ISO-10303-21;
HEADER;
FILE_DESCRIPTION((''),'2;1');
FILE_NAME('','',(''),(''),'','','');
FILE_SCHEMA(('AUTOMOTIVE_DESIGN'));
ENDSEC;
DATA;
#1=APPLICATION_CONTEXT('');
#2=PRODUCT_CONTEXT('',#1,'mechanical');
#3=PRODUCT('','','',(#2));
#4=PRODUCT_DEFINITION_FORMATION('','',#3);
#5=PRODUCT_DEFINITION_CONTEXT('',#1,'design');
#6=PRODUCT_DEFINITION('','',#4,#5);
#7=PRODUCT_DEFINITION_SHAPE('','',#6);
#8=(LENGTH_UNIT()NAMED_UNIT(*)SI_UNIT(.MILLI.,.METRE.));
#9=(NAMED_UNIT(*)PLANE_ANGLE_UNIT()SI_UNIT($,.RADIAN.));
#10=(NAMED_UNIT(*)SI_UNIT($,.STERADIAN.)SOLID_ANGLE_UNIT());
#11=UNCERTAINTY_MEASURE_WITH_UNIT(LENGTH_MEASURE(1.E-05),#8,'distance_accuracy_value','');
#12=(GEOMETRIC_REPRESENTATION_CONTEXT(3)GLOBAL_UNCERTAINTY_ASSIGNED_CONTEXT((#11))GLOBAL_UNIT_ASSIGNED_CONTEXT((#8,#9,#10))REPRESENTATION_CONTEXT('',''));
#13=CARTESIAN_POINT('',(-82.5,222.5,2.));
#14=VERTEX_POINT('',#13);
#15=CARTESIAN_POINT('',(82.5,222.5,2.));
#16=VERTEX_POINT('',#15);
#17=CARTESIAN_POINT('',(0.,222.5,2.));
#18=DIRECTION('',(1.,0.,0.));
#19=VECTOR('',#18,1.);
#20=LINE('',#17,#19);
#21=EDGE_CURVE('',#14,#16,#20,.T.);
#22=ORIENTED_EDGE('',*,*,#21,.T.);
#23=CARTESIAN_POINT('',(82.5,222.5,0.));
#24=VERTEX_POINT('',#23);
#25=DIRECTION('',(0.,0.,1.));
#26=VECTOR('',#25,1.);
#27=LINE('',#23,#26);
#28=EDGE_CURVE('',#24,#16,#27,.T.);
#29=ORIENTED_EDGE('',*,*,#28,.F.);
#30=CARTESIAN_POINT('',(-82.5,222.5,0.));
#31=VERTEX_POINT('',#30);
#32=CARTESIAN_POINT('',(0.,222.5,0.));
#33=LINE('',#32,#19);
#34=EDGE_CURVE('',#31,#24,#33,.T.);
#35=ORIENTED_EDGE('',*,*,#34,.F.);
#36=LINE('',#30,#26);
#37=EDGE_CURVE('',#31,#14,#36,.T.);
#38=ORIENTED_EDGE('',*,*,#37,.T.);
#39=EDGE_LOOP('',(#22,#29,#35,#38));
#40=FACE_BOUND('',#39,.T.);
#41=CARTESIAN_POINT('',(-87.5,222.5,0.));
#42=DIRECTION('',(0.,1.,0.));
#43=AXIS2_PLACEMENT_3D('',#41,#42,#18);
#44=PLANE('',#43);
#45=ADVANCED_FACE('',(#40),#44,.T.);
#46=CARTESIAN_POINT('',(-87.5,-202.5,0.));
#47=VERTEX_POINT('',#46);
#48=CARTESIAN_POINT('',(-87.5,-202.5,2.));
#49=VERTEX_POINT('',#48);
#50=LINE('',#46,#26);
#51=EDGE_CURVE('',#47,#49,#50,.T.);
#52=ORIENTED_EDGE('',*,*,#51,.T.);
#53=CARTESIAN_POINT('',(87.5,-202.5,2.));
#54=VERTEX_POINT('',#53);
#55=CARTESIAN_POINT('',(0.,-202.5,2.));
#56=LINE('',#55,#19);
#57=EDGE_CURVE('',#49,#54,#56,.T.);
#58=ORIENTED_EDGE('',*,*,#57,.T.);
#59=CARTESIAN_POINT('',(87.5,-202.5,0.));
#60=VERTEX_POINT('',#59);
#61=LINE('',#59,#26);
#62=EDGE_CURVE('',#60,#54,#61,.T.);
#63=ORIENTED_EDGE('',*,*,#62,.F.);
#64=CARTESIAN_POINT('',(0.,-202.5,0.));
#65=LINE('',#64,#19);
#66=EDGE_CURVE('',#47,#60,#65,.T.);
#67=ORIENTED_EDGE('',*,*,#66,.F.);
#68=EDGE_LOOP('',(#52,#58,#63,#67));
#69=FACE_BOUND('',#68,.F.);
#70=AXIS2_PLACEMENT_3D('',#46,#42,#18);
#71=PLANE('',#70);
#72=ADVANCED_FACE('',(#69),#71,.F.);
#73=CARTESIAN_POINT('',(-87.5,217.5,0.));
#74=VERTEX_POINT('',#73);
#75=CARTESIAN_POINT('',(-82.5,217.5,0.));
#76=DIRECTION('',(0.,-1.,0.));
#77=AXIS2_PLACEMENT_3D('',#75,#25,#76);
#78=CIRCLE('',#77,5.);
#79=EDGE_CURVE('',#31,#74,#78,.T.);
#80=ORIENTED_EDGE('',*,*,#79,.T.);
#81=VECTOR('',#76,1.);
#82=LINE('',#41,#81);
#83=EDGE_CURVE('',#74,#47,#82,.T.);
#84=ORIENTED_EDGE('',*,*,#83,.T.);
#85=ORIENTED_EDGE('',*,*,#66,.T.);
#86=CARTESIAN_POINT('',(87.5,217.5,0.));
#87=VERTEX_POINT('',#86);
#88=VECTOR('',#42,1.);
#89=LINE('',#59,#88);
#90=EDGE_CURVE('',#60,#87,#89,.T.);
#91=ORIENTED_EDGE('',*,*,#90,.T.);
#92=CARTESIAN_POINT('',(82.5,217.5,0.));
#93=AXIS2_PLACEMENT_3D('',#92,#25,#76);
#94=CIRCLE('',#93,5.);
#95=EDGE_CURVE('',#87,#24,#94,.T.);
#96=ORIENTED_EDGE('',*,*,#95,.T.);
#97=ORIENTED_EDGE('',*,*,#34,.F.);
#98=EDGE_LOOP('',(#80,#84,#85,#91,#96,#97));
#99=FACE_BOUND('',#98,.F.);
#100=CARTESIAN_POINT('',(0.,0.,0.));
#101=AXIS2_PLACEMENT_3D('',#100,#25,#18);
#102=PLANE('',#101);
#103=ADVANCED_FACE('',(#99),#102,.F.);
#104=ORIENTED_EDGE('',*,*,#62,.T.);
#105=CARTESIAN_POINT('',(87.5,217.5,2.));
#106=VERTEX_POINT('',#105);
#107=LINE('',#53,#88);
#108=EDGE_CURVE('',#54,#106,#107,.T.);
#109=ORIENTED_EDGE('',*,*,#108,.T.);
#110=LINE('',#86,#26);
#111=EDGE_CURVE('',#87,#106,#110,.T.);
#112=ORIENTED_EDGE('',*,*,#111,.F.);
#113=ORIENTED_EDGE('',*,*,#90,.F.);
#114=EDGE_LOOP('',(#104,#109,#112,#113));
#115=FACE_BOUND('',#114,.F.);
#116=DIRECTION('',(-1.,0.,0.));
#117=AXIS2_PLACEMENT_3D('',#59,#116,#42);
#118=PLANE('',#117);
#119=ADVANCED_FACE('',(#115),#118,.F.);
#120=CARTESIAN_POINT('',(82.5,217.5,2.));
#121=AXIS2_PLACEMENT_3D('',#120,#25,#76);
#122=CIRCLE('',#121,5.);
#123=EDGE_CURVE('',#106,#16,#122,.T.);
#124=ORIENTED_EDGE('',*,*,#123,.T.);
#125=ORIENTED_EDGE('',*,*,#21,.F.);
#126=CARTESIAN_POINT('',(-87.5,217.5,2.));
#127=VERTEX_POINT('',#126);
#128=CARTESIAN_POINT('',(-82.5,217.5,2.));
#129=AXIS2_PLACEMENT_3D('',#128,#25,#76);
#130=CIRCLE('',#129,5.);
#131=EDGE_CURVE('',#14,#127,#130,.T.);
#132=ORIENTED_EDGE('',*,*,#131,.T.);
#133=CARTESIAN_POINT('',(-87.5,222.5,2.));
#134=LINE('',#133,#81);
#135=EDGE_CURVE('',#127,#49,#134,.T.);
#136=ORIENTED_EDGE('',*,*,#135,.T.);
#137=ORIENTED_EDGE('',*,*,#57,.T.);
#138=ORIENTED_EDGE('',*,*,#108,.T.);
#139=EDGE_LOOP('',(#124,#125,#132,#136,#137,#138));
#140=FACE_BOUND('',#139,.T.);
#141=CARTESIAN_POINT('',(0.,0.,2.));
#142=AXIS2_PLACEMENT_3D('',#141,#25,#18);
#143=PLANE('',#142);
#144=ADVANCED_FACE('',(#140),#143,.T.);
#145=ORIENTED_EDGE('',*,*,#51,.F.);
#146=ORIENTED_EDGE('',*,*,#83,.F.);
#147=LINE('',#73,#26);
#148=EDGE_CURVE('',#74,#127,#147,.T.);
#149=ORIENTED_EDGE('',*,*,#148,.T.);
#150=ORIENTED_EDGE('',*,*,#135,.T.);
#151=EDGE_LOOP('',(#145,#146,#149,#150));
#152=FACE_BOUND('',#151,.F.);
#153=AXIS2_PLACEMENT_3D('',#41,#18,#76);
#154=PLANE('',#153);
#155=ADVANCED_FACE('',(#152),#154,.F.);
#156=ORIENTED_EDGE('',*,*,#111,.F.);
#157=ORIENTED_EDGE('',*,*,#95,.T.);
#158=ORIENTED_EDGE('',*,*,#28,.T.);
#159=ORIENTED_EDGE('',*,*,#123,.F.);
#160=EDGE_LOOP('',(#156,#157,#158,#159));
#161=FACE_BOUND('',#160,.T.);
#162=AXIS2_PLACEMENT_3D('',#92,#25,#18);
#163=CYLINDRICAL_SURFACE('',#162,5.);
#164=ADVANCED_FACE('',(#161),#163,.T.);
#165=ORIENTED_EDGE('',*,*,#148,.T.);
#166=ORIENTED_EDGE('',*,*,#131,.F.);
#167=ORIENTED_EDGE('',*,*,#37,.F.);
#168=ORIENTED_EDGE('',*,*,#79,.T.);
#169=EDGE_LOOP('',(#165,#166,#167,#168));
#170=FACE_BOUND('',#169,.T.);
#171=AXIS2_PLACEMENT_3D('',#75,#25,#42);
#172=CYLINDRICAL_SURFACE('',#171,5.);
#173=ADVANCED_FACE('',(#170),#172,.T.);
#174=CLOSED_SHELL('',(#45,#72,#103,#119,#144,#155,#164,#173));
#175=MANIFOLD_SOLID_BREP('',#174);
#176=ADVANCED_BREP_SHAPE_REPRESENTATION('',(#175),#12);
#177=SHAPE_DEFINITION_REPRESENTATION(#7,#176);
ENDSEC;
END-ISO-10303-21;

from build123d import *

# Parameters (mm, degrees)
F0_W     = 175
F0_H     = 405
F0_H_2   = 20
F1_DEPTH = 2
F2_R     = 5


with BuildPart() as f1:
    # F0 (on Top) → F1 (new body)
    with BuildSketch(Plane.XY):
        Rectangle(F0_W, F0_H)
        with Locations((0, 212.5)):
            Rectangle(F0_W, F0_H_2)
    extrude(amount=F1_DEPTH)

    # F2
    f2_edges = [f1.edges().sort_by_distance(p)[0] for p in [
        (87.5, 222.5, 1),
        (-87.5, 222.5, 1),
    ]]
    fillet(f2_edges, radius=F2_R)


solid = f1.part
